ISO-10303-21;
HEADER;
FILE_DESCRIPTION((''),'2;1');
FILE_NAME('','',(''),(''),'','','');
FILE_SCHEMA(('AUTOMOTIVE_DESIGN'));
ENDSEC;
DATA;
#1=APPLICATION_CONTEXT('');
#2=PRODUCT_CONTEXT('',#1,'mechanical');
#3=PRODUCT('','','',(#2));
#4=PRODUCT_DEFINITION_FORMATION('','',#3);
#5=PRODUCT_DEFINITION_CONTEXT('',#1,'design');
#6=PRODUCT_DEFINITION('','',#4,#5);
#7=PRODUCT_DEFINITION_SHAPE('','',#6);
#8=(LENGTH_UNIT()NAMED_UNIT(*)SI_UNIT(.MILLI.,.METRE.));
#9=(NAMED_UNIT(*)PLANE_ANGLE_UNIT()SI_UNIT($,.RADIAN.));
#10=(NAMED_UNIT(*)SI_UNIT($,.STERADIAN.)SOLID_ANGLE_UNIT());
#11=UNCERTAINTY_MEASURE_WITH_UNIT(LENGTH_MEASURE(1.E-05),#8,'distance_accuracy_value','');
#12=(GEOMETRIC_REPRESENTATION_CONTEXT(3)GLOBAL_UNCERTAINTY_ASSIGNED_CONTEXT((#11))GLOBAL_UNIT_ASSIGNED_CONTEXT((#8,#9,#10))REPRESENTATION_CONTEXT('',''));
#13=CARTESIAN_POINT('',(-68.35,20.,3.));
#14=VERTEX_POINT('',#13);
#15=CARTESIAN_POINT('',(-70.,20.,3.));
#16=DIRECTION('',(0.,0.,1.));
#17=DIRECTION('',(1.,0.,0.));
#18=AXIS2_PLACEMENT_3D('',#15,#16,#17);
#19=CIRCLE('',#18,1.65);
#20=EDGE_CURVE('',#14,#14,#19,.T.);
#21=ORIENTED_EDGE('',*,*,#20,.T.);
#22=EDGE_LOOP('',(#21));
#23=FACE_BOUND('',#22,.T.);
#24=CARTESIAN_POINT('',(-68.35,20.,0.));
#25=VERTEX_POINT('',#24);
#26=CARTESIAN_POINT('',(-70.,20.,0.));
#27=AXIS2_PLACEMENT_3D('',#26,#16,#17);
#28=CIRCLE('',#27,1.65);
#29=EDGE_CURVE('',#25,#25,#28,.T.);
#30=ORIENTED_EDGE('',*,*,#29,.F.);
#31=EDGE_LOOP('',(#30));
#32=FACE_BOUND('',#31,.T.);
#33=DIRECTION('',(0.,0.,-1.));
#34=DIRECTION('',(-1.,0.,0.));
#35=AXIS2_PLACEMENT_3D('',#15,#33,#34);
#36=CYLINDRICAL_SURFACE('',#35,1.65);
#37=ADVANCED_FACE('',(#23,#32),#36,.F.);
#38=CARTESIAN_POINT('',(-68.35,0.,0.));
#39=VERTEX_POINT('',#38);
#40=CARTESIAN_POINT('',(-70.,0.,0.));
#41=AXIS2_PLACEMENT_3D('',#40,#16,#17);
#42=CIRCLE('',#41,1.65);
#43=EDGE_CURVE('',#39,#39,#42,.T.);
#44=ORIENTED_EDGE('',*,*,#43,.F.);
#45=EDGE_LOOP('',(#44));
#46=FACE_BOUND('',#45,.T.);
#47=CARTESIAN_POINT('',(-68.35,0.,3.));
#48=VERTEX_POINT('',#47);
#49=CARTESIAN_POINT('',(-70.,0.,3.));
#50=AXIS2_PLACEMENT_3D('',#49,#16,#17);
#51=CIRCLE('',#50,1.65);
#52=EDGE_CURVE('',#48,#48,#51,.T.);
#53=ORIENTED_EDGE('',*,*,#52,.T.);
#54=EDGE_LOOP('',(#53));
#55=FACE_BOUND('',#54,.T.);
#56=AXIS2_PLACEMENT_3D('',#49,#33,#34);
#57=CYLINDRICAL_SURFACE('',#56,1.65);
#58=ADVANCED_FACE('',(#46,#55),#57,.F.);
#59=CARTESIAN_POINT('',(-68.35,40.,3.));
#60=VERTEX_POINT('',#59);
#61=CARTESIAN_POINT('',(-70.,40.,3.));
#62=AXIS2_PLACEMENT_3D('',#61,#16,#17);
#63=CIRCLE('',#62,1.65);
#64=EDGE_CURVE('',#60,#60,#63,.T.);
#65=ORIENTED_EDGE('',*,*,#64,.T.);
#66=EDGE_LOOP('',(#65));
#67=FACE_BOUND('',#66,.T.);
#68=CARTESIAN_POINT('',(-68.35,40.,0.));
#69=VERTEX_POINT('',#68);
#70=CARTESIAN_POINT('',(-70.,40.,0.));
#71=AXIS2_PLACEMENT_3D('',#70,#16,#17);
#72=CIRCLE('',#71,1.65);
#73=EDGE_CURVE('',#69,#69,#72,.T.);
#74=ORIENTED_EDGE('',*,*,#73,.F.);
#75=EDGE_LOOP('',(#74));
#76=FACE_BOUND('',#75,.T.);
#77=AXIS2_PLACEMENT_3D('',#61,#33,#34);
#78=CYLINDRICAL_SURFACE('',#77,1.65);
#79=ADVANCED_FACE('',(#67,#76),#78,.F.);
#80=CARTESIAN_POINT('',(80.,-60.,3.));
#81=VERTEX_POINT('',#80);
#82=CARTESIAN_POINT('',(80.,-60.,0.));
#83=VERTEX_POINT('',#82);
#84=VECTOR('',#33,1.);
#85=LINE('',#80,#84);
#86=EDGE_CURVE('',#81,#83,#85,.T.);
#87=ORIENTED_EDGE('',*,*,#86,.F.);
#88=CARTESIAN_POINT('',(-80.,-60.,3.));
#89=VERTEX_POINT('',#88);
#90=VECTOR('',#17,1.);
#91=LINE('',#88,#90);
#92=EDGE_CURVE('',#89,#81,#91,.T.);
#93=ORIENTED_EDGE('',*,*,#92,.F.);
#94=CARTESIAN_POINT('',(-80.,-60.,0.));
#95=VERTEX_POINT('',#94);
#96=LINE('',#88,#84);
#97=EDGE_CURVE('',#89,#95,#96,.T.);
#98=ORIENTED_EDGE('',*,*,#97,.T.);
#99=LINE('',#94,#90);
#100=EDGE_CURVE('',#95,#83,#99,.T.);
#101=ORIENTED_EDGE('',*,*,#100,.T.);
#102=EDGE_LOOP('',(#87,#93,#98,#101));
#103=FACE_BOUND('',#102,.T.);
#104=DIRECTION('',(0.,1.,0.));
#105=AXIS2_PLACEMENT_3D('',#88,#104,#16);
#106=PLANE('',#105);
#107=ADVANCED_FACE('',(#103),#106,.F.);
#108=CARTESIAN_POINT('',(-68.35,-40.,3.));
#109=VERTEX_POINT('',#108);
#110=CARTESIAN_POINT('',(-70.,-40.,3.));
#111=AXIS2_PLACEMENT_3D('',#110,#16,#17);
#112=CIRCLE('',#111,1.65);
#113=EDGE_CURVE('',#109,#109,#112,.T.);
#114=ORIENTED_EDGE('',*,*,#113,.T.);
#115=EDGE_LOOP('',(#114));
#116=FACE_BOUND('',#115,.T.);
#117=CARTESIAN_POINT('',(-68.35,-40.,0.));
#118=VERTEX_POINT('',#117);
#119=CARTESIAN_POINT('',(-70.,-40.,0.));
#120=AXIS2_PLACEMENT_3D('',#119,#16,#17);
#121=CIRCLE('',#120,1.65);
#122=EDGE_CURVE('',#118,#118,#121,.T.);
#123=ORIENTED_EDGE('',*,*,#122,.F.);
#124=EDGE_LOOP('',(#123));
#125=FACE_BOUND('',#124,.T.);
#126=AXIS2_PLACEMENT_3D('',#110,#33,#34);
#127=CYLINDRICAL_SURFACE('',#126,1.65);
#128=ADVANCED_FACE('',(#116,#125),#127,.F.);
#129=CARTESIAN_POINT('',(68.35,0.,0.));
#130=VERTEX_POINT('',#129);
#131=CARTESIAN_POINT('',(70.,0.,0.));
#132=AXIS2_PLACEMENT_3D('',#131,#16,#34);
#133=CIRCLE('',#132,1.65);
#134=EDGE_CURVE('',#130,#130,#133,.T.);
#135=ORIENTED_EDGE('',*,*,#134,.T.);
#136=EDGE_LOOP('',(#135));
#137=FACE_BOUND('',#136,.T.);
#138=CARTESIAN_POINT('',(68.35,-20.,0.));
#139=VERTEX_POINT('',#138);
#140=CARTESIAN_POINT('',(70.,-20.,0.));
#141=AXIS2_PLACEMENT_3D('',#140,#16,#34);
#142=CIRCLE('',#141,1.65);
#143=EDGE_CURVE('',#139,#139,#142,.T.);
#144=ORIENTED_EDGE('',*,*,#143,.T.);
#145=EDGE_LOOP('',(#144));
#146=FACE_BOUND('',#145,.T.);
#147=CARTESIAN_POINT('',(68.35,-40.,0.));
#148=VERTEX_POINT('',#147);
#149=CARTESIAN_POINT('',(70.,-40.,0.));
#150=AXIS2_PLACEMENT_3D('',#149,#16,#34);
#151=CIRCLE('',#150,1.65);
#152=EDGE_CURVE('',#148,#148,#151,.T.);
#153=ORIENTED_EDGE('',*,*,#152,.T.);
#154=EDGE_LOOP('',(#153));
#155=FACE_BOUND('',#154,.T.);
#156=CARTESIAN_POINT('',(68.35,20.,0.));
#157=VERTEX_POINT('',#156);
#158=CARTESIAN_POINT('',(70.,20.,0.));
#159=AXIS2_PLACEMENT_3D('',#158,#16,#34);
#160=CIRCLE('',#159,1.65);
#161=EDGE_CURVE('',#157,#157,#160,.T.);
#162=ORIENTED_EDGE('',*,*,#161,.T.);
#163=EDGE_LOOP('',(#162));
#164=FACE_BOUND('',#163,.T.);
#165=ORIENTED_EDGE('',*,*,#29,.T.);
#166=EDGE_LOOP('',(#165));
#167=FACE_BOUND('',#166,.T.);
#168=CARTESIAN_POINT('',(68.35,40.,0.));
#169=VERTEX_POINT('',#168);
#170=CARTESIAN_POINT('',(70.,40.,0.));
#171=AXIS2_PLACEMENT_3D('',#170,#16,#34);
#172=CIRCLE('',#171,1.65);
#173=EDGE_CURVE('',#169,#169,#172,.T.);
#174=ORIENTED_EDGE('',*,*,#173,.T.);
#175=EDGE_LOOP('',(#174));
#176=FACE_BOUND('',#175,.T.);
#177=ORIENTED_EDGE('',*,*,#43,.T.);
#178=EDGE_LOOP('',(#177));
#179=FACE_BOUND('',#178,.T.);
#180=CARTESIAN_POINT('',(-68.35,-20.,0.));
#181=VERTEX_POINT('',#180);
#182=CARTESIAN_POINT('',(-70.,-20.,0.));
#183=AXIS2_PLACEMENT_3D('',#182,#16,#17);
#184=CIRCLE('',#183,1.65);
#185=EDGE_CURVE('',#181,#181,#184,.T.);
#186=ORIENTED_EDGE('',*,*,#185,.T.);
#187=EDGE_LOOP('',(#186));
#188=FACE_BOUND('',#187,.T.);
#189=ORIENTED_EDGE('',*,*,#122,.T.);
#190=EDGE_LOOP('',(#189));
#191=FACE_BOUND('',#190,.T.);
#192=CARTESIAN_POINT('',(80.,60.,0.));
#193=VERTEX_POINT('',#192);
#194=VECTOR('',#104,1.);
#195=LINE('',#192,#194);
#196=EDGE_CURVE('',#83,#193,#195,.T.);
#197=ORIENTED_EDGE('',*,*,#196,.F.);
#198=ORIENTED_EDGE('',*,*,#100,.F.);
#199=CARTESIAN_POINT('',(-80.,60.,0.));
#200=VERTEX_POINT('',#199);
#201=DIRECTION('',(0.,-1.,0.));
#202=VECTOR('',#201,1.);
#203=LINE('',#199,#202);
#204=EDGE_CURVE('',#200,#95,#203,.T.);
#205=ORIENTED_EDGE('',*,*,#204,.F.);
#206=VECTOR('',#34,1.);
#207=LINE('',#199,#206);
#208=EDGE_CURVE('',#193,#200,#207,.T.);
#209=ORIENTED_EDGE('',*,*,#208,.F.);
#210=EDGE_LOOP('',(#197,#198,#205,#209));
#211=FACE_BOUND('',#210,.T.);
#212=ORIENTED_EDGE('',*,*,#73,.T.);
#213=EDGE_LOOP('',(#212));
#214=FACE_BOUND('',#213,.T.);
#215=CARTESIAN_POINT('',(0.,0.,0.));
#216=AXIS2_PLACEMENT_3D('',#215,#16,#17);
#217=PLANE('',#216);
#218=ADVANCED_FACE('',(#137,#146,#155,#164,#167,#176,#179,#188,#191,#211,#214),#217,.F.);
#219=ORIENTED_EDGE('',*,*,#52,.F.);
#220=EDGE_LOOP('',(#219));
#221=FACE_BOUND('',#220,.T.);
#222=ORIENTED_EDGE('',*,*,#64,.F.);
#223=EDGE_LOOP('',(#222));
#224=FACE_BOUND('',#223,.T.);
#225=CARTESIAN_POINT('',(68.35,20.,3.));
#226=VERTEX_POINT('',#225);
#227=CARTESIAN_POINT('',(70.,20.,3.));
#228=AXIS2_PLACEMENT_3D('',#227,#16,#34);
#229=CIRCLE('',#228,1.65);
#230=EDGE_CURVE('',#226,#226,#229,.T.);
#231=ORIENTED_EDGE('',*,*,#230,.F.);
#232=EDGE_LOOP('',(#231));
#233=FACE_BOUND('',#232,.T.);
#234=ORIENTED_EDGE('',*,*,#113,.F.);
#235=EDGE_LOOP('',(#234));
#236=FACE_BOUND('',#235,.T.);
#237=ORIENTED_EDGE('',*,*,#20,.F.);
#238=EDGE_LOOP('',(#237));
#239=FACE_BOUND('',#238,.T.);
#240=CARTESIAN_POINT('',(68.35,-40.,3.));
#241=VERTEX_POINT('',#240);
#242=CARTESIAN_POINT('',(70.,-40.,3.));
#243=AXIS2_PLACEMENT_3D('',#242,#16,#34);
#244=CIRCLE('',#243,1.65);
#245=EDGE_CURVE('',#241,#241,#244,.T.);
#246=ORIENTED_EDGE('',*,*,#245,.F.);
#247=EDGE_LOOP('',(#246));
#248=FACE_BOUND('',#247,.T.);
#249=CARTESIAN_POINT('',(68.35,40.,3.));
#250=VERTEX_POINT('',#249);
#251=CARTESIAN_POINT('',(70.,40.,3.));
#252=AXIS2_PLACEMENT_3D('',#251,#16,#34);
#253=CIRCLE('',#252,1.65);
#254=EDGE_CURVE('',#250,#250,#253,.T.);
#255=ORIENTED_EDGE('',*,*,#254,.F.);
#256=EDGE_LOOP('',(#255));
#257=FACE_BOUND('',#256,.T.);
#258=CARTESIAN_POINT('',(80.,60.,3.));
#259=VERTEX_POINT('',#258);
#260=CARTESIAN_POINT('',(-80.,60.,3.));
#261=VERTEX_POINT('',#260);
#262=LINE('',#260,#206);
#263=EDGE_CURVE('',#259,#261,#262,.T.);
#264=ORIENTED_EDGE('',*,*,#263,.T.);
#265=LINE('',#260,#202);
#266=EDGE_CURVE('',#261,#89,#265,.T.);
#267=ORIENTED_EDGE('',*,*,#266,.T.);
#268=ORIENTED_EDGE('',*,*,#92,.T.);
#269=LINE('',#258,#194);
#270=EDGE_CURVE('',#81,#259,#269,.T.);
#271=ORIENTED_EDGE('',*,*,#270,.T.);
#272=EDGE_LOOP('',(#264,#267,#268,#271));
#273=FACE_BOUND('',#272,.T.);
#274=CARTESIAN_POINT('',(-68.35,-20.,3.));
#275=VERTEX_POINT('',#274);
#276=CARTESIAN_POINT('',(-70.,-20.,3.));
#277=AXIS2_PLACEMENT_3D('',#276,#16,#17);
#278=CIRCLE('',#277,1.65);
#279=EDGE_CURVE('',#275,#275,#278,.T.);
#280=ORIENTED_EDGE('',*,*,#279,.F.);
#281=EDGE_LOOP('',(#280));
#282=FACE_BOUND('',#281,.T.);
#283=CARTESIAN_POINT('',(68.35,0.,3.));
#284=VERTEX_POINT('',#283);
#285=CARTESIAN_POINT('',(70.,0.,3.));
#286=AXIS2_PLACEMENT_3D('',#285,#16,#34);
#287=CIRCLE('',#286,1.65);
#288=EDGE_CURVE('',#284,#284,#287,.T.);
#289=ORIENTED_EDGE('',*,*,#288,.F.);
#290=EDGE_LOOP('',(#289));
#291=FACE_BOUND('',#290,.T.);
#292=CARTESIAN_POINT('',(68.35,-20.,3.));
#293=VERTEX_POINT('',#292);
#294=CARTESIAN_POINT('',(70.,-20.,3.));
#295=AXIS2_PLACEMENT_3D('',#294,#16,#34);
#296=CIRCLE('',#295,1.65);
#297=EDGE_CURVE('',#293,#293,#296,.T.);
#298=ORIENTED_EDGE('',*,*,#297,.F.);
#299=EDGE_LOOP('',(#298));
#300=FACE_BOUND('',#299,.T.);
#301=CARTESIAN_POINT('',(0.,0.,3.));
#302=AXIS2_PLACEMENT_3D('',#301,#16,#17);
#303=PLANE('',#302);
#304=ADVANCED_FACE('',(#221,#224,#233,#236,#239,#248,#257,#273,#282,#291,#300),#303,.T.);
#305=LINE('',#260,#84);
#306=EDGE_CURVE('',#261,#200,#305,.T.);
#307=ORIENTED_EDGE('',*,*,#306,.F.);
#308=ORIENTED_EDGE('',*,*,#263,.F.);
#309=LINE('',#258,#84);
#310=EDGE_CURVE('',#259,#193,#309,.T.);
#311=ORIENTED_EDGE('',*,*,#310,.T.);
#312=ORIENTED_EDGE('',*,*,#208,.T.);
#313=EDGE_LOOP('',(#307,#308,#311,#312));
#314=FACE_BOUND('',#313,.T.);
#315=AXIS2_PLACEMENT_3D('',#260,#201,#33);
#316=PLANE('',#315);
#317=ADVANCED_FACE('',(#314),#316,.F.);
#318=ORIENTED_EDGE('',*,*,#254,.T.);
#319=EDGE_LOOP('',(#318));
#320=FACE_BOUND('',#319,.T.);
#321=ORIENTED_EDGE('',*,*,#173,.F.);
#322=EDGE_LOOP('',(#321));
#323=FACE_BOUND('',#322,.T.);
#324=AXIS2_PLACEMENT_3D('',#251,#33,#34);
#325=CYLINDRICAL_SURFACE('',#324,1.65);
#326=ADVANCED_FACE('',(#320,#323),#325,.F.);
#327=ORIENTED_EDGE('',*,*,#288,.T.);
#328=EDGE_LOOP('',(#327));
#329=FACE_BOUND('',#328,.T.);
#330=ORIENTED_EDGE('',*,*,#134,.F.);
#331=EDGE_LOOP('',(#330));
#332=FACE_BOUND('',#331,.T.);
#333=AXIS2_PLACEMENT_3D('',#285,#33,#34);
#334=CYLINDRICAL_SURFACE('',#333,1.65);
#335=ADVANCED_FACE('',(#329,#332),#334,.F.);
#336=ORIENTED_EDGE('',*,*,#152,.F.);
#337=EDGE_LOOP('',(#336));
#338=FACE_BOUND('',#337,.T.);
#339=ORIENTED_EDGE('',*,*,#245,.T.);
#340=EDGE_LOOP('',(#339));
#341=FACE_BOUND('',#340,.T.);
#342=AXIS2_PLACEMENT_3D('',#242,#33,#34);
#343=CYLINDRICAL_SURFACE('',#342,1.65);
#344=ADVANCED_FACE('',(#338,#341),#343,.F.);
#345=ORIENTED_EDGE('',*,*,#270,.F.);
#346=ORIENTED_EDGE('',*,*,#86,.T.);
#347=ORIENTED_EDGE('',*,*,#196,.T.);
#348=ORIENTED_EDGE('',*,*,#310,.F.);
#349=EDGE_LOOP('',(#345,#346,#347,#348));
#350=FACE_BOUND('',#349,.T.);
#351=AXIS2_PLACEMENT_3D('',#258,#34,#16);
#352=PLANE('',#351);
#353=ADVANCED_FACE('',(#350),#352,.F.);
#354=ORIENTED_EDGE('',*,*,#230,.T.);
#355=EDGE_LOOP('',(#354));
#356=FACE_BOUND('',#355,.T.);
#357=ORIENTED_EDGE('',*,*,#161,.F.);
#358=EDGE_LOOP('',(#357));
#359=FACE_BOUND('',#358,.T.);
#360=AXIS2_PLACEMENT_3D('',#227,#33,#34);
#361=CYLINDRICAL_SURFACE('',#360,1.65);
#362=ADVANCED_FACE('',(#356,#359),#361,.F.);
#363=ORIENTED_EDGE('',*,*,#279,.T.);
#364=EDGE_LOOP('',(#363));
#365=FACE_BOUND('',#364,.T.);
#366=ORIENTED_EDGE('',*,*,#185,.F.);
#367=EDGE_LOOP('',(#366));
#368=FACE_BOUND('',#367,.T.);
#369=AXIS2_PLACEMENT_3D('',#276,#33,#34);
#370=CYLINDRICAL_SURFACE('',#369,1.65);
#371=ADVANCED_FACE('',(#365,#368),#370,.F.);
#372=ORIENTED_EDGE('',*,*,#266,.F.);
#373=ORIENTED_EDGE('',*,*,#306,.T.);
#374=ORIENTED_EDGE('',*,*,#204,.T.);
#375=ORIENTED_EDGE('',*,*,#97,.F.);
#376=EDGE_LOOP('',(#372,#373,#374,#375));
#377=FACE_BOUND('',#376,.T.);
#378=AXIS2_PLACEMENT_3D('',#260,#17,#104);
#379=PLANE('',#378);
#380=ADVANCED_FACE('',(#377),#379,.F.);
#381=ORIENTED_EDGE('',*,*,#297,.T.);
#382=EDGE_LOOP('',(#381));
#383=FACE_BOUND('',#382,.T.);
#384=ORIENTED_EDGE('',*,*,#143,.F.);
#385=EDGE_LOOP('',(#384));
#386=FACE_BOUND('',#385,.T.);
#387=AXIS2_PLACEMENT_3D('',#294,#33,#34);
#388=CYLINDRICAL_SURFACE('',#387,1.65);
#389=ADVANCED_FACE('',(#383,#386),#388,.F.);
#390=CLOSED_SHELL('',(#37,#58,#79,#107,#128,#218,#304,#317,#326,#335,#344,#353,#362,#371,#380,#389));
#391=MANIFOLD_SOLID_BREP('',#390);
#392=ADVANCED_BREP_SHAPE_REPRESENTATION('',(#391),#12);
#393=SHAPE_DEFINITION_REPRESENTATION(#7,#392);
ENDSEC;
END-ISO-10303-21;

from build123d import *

# Parameters (mm, degrees)
SKETCH_1_W      = 160
SKETCH_1_H      = 120
SKETCH_1_R      = 1.65
EXTRUDE_1_DEPTH = 3


with BuildPart() as part:
    # 草图1 → 凸台-拉伸1 (new body)
    with BuildSketch(Plane.XY):
        Rectangle(SKETCH_1_W, SKETCH_1_H)
        with Locations((-70, 40)):
            Circle(SKETCH_1_R, mode=Mode.SUBTRACT)
        with Locations((-70, 20)):
            Circle(SKETCH_1_R, mode=Mode.SUBTRACT)
        with Locations((-70, 0)):
            Circle(SKETCH_1_R, mode=Mode.SUBTRACT)
        with Locations((-70, -20)):
            Circle(SKETCH_1_R, mode=Mode.SUBTRACT)
        with Locations((-70, -40)):
            Circle(SKETCH_1_R, mode=Mode.SUBTRACT)
        with Locations(Location((70, -40, 0), (0, 0, 180))):
            Circle(SKETCH_1_R, mode=Mode.SUBTRACT)
        with Locations(Location((70, -20, 0), (0, 0, 180))):
            Circle(SKETCH_1_R, mode=Mode.SUBTRACT)
        with Locations(Location((70, 0, 0), (0, 0, 180))):
            Circle(SKETCH_1_R, mode=Mode.SUBTRACT)
        with Locations(Location((70, 20, 0), (0, 0, 180))):
            Circle(SKETCH_1_R, mode=Mode.SUBTRACT)
        with Locations(Location((70, 40, 0), (0, 0, 180))):
            Circle(SKETCH_1_R, mode=Mode.SUBTRACT)
    extrude(amount=EXTRUDE_1_DEPTH)


solid = part.part
